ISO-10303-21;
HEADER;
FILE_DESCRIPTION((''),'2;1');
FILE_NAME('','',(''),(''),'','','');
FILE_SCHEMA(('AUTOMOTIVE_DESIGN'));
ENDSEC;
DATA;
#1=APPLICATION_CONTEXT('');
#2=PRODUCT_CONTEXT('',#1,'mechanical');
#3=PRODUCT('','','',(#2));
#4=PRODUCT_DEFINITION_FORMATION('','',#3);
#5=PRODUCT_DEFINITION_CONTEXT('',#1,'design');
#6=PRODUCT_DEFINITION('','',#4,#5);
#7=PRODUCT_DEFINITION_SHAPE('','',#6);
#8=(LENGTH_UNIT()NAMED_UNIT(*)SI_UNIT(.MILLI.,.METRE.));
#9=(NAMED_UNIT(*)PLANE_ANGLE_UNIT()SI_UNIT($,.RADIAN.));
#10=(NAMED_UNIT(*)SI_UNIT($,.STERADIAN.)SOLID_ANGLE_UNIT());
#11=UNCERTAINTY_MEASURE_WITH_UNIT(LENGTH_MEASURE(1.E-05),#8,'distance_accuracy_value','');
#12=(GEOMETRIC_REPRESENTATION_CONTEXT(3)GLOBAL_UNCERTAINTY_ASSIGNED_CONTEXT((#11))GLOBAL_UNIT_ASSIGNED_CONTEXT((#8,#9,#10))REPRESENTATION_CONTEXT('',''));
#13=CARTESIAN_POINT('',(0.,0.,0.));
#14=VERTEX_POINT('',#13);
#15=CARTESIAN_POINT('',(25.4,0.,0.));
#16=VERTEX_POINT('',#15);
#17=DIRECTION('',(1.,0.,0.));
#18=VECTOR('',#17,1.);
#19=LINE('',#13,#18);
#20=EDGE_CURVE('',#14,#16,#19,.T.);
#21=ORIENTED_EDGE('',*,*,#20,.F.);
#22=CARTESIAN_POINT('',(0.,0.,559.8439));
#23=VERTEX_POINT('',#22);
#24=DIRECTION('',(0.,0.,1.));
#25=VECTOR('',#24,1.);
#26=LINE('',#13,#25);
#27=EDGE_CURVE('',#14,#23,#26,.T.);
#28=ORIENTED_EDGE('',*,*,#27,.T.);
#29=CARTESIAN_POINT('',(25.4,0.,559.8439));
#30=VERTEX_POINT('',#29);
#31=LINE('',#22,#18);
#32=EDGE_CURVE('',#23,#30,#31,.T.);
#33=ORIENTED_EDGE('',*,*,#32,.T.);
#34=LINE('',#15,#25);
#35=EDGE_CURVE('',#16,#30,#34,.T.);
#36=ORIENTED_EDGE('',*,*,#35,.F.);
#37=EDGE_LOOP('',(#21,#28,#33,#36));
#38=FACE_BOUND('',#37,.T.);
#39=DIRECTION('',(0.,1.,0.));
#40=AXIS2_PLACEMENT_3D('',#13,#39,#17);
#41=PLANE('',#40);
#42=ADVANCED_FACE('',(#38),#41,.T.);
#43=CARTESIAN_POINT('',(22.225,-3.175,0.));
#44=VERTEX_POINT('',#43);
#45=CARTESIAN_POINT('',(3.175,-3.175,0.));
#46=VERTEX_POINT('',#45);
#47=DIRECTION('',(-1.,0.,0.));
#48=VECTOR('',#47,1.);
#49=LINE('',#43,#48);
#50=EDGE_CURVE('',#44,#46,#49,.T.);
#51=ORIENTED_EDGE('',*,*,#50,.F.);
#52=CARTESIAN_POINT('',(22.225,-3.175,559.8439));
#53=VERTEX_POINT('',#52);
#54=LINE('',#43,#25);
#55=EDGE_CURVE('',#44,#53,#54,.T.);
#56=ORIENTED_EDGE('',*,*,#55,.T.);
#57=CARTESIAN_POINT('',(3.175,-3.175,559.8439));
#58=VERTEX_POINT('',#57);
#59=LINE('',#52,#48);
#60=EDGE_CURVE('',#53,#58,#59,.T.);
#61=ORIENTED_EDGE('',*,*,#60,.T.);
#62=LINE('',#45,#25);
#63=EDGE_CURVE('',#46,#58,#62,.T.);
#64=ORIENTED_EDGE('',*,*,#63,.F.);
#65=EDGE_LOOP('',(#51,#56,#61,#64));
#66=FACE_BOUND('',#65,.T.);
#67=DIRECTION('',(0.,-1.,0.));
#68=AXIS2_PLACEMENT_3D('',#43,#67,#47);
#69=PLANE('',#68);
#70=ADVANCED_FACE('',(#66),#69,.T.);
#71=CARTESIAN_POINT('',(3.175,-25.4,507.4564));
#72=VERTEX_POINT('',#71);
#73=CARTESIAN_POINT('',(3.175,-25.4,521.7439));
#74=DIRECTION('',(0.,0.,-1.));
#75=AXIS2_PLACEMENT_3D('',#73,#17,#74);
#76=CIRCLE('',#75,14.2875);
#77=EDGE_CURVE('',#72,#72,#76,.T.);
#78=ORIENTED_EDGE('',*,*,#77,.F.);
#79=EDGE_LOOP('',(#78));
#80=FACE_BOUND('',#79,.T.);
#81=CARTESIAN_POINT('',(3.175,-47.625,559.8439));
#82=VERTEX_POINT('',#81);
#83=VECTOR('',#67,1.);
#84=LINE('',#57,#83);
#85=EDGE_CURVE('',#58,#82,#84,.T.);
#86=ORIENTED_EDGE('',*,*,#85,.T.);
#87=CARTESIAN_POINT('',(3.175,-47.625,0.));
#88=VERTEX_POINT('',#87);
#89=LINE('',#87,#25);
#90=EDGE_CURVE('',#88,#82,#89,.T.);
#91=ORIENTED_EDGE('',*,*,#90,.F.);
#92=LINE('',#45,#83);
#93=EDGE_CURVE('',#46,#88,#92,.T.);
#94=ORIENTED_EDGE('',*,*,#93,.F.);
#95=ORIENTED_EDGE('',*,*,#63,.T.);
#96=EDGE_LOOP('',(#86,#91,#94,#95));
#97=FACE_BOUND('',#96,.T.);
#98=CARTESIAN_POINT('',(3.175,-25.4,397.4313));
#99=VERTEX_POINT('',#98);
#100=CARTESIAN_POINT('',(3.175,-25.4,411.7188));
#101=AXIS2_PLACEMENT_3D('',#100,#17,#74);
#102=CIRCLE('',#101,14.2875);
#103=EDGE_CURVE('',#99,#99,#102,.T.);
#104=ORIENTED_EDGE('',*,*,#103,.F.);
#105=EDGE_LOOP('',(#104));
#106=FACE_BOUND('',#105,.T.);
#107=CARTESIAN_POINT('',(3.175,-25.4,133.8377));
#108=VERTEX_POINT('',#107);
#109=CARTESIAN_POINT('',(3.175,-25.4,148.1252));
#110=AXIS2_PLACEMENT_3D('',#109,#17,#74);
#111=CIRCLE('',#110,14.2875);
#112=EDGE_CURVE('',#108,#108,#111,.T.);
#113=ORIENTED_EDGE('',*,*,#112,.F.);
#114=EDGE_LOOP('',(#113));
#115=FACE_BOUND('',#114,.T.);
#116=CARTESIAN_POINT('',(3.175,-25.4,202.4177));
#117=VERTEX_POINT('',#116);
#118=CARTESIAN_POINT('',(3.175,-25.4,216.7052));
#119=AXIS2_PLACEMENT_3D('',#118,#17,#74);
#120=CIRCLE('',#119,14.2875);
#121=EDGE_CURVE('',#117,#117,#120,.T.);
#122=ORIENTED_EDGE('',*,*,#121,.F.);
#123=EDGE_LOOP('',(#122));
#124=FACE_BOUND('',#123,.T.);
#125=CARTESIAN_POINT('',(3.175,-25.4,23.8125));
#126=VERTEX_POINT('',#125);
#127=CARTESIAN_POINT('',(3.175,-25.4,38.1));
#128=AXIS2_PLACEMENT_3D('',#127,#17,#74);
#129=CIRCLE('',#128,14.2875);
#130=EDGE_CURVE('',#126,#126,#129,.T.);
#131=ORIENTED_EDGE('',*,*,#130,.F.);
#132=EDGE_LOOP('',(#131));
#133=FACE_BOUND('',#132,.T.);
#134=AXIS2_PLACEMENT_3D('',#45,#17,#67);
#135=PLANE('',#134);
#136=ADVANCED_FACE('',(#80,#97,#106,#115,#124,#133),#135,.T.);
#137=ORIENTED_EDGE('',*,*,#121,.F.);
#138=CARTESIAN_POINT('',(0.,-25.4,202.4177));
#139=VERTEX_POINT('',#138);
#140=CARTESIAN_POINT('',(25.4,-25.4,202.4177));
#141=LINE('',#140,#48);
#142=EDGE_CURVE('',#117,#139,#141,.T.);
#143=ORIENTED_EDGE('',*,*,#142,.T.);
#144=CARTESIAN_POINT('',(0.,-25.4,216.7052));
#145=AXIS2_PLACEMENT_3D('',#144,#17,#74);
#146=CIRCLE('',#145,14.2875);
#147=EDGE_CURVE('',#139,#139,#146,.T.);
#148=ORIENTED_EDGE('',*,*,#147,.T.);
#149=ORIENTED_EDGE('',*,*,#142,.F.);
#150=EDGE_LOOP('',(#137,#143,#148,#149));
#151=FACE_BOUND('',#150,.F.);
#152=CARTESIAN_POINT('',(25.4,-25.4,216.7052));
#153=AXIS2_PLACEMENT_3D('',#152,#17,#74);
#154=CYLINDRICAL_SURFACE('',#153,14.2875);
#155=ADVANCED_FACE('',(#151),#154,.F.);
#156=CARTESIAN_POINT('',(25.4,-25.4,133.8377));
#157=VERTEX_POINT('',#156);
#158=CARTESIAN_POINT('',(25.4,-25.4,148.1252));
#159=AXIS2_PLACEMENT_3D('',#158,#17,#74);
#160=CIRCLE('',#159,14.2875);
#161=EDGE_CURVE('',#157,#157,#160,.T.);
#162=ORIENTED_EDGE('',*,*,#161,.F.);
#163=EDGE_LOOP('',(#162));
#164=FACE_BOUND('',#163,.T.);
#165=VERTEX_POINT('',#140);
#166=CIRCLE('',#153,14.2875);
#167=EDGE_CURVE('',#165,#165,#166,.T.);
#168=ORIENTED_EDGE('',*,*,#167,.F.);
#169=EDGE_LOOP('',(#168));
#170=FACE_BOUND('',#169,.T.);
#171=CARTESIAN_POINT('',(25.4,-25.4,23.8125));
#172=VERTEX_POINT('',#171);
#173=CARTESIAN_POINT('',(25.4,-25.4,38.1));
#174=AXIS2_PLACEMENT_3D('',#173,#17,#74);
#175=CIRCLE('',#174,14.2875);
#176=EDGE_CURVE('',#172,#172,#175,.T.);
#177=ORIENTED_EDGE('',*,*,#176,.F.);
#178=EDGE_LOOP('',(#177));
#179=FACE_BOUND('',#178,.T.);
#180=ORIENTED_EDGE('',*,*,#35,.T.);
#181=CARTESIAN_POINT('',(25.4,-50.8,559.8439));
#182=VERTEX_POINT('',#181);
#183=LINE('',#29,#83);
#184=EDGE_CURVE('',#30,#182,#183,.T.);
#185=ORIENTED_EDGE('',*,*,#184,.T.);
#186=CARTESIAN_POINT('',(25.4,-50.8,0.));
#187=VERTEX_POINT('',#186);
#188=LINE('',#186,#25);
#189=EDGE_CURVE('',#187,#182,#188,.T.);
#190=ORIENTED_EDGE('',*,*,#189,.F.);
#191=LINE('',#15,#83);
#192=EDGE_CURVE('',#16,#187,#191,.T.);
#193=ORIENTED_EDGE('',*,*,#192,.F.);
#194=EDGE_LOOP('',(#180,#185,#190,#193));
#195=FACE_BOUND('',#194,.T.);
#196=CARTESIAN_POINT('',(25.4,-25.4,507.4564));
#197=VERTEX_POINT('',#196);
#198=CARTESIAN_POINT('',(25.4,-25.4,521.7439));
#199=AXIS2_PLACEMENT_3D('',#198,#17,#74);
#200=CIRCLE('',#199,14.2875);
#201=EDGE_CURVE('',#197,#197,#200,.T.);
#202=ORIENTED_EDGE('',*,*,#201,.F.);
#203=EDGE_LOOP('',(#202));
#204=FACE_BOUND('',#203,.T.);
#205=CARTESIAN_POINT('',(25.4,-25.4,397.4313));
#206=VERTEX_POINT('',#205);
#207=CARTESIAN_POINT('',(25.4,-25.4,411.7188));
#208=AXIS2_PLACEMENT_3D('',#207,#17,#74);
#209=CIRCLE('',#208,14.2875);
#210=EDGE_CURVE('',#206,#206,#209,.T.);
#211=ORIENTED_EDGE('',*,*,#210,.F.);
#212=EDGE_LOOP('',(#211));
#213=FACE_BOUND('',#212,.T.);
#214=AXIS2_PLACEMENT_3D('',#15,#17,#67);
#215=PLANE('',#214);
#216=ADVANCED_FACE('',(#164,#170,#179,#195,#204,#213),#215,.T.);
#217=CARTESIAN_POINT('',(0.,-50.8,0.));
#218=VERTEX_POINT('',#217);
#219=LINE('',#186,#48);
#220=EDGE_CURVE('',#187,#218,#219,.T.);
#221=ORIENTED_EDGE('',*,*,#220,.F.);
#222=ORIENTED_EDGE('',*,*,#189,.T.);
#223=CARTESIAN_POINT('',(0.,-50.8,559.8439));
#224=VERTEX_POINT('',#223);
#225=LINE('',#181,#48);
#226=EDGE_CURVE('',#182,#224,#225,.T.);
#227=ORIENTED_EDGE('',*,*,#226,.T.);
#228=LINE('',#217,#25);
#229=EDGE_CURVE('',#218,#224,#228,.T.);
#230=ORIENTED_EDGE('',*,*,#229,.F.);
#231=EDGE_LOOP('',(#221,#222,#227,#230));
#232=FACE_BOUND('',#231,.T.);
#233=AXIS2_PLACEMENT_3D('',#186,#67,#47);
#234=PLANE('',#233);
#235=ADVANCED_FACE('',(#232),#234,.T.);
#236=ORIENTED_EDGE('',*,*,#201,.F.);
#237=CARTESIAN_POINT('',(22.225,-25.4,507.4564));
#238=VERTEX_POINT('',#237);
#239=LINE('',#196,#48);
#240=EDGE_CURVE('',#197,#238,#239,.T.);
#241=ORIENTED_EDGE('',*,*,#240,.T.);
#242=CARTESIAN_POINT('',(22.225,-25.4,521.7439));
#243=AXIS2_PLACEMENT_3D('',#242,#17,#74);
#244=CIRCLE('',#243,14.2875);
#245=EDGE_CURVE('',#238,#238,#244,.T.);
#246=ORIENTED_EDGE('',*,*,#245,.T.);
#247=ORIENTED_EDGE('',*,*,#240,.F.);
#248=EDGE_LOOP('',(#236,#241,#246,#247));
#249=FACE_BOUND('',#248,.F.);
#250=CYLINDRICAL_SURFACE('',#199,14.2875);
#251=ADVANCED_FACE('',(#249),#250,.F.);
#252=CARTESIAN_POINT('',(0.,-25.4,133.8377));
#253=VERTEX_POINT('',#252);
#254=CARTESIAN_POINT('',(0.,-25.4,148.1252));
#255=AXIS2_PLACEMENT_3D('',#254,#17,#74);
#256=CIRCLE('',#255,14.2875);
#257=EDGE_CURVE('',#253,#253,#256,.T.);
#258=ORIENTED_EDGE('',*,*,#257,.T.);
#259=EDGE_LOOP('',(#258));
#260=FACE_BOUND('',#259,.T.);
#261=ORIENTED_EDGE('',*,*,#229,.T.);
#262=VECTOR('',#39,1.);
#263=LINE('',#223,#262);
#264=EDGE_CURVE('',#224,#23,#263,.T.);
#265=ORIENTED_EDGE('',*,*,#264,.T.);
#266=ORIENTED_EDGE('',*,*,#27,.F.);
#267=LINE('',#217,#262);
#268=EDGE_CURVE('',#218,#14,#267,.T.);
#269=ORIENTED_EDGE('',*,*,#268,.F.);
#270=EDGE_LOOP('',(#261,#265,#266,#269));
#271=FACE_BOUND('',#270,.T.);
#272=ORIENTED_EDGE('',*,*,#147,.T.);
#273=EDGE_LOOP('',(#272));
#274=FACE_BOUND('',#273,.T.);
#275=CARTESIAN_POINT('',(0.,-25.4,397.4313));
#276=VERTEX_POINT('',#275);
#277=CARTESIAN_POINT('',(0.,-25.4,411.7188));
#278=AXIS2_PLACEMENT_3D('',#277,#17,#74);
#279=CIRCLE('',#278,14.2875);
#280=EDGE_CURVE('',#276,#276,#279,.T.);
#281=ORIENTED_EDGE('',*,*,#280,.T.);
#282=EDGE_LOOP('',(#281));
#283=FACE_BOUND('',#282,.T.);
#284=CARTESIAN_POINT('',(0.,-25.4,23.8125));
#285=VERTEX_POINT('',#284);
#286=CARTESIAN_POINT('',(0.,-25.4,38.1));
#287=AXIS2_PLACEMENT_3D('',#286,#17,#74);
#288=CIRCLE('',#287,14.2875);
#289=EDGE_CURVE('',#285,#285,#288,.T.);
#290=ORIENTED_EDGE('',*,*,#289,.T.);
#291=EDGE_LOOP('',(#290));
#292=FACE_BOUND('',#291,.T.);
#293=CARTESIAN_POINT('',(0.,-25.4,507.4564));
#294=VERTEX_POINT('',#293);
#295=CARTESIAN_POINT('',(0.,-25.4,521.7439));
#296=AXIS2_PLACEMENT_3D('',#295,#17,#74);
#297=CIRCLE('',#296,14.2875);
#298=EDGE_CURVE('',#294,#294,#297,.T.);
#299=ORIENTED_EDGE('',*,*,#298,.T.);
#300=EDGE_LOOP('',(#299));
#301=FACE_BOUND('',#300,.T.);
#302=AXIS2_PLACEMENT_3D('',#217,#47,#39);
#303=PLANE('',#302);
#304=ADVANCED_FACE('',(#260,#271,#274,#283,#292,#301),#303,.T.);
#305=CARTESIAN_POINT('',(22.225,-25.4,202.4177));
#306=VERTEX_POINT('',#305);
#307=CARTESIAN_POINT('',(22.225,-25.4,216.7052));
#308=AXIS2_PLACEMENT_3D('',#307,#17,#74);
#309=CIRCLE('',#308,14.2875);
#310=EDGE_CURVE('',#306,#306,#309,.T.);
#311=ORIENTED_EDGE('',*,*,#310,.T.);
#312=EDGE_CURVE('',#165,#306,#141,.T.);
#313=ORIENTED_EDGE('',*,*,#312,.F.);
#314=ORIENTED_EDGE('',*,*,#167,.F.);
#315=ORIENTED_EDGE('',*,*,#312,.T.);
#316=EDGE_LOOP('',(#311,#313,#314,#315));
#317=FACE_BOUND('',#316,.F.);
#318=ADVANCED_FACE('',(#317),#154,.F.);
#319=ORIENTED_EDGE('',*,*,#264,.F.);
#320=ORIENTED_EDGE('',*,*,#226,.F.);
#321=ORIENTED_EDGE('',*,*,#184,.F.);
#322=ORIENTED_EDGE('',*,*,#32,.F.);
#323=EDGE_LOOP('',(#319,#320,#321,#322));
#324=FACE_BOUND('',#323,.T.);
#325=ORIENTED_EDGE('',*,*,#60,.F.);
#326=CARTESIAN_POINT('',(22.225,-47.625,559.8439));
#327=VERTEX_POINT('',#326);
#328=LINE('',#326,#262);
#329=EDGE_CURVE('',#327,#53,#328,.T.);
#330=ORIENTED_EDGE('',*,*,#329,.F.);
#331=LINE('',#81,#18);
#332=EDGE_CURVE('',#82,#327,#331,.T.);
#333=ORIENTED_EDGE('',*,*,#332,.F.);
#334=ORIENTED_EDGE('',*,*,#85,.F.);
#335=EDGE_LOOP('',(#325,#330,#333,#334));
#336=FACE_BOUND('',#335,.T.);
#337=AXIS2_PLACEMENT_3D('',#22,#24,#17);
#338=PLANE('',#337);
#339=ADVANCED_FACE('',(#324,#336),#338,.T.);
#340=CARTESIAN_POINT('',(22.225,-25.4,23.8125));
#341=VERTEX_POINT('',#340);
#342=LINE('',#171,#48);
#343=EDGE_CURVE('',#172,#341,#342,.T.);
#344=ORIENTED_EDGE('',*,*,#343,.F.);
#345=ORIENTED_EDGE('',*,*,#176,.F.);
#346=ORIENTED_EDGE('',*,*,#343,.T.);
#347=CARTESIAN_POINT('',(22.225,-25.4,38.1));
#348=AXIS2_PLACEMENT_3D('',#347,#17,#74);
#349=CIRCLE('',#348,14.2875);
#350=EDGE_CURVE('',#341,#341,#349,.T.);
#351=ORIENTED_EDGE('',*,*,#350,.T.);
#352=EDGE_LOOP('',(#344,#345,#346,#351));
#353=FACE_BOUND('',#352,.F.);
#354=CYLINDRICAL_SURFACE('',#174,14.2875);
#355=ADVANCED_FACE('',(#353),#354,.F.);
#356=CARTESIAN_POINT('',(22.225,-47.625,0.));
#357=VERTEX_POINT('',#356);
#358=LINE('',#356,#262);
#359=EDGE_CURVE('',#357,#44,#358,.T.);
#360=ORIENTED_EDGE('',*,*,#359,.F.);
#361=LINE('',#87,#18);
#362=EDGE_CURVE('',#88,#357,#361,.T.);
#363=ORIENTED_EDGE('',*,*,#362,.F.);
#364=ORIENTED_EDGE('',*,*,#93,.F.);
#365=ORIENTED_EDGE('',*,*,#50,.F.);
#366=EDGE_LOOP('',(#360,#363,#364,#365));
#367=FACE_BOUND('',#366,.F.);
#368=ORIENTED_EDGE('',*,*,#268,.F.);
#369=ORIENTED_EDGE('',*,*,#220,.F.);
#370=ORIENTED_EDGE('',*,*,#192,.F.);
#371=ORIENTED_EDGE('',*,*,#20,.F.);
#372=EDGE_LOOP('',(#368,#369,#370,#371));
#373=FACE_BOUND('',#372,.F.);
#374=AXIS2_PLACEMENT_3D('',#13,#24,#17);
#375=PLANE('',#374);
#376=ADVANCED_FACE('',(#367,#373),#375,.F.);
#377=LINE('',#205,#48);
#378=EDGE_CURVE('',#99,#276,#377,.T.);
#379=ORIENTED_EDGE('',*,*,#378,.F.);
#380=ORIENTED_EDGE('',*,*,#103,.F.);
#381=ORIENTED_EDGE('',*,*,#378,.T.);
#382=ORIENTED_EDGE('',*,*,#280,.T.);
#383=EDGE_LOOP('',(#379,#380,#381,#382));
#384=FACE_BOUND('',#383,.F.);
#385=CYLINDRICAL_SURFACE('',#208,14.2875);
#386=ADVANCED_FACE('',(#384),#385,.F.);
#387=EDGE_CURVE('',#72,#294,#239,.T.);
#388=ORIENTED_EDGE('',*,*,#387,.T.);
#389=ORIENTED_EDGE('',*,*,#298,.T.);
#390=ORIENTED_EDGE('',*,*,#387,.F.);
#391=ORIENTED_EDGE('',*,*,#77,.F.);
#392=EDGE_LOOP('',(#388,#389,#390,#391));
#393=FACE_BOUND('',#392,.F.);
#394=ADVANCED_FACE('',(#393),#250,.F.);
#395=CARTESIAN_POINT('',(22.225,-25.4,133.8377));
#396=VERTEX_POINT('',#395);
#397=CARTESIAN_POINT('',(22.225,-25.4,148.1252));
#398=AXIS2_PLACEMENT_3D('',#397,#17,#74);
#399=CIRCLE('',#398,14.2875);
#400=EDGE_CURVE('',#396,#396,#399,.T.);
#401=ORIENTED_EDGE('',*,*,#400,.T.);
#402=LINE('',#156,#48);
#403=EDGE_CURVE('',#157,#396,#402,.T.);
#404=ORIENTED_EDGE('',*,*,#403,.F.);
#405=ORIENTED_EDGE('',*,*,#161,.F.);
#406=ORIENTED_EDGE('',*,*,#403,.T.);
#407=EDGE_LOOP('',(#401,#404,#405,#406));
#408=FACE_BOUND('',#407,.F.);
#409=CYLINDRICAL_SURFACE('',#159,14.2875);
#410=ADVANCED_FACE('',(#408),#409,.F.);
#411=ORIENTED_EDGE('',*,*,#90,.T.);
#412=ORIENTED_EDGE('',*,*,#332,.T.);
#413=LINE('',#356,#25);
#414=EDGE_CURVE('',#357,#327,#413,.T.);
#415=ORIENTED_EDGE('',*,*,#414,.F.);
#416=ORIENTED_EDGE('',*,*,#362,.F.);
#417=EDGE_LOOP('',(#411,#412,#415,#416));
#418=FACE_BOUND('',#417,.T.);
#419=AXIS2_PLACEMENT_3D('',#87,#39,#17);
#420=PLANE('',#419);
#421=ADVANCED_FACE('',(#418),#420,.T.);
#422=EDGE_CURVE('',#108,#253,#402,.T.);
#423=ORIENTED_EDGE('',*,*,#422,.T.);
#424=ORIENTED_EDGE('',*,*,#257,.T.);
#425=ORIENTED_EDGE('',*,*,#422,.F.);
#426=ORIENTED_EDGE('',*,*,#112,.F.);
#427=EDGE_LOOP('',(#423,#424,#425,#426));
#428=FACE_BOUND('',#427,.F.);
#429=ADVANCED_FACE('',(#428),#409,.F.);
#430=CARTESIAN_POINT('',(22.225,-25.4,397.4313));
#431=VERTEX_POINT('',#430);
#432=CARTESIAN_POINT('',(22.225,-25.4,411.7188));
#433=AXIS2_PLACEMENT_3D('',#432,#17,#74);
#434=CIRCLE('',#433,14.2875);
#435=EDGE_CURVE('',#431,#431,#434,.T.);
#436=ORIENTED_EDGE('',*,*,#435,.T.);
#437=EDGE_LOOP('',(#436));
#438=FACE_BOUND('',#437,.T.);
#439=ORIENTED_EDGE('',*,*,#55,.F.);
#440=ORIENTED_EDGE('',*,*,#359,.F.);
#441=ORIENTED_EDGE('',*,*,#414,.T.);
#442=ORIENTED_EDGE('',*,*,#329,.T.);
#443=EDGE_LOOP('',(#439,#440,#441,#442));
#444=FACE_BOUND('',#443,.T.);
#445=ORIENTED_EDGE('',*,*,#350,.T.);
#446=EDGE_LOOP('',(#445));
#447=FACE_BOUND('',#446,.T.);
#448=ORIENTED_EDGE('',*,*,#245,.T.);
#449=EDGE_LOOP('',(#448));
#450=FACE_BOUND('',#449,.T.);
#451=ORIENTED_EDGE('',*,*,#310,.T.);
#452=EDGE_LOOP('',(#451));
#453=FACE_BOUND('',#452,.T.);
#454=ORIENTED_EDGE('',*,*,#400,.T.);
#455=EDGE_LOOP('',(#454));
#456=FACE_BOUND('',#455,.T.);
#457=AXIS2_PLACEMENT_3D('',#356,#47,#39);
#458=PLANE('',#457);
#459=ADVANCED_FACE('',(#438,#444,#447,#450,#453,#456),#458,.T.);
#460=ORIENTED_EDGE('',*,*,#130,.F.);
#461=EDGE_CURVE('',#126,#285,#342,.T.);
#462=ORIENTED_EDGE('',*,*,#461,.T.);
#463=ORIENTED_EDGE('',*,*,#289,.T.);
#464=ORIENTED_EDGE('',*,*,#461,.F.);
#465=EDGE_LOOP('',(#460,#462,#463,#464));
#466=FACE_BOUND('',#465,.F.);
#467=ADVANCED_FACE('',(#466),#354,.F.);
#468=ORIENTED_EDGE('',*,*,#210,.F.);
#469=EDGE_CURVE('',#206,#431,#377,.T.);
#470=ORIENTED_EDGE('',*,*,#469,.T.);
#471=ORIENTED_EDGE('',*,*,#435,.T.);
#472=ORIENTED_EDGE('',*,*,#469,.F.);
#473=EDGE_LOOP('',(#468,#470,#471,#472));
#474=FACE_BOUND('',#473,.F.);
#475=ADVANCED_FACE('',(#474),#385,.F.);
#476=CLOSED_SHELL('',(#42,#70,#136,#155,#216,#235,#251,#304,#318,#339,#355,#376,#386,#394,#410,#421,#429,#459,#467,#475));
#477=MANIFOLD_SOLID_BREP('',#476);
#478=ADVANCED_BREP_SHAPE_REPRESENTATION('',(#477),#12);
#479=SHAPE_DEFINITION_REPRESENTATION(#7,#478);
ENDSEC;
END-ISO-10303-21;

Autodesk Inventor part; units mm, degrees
ref_plane "YZ Plane" through (0, 0, 0) normal (1, 0, 0) x (0, 1, 0)
ref_plane "XZ Plane" through (0, 0, 0) normal (0, 1, 0) x (-1, 0, 0)
ref_plane "XY Plane" through (0, 0, 0) normal (0, 0, 1) x (1, 0, 0)
sketch "Sketch1" plane through (0, 0, 0) normal (0, 0, 1) x (1, 0, 0)
  line L0 (0, 0) -> (25.4, 0)
  line L1 (25.4, 0) -> (25.4, -50.8)
  line L2 (25.4, -50.8) -> (0, -50.8)
  line L3 (0, -50.8) -> (0, 0)
  line L4 (22.225, -3.175) -> (3.175, -3.175)
  line L5 (3.175, -3.175) -> (3.175, -47.625)
  line L6 (3.175, -47.625) -> (22.225, -47.625)
  line L7 (22.225, -47.625) -> (22.225, -3.175)
  dimension "d0" = 25.4
  dimension "d1" = 50.8
  dimension "d2" = 3.175
extrude "Extrusion1" add sketch "Sketch1" along normal blind 559.8439
sketch "Sketch2" plane through (25.4, -50.8, 0) normal (1, 0, 0) x (0, 0, -1)
  circle A0 centre (-38.1, 25.4) radius 14.2875
  circle A1 centre (-148.1252, 25.4) radius 14.2875
  line L0 (0, 50.8) -> (0, 0) projected
  line L1 (-559.8439, 0) -> (-559.8439, 50.8) projected
  line L2 (0, 50.8) -> (-559.8439, 50.8) projected
  line L3 (0, 0) -> (-559.8439, 0) projected
  circle A2 centre (-216.7052, 25.4) radius 14.2875
  dimension "d7" = 25.4
  dimension "d8" = 25.4
  dimension "d9" = 28.575
  dimension "d10" = 28.575
  dimension "d14" = 110.0252
  dimension "d15" = 38.1
  dimension "d24" = 68.58
  dimension "d25" = 28.575
  dimension "d26" = 25.4
extrude "Extrusion2" cut sketch "Sketch2" against normal blind 254 contours A0 | A1
sketch "Sketch3" plane through (25.4, -50.8, 0) normal (1, 0, 0) x (0, 0, -1)
  circle A0 centre (-521.7439, 25.4) radius 14.2875
  circle A1 centre (-411.7188, 25.4) radius 14.2875
  line L0 (-559.8439, 0) -> (-559.8439, 50.8) projected
  line L1 (0, 50.8) -> (-559.8439, 50.8) projected
  dimension "d16" = 38.1
  dimension "d17" = 110.0252
  dimension "d18" = 25.4
  dimension "d19" = 25.4
  dimension "d20" = 28.575
  dimension "d21" = 28.575
extrude "Extrusion3" cut sketch "Sketch3" against normal blind 25.4
sketch "Sketch4" plane through (25.4, -50.8, 0) normal (1, 0, 0) x (0, 0, -1)
  circle A0 centre (-216.7052, 25.4) radius 14.2875
  circle A1 centre (-148.1252, 25.4) radius 14.2875 projected
  line L0 (0, 0) -> (-559.8439, 0) projected
  point P0 (0, 50.8)
  dimension "d27" = 68.58
  dimension "d28" = 28.575
  dimension "d29" = 25.4
extrude "Extrusion4" cut sketch "Sketch4" against normal blind 25.4 contours A0
properties part number "DRL Short"
